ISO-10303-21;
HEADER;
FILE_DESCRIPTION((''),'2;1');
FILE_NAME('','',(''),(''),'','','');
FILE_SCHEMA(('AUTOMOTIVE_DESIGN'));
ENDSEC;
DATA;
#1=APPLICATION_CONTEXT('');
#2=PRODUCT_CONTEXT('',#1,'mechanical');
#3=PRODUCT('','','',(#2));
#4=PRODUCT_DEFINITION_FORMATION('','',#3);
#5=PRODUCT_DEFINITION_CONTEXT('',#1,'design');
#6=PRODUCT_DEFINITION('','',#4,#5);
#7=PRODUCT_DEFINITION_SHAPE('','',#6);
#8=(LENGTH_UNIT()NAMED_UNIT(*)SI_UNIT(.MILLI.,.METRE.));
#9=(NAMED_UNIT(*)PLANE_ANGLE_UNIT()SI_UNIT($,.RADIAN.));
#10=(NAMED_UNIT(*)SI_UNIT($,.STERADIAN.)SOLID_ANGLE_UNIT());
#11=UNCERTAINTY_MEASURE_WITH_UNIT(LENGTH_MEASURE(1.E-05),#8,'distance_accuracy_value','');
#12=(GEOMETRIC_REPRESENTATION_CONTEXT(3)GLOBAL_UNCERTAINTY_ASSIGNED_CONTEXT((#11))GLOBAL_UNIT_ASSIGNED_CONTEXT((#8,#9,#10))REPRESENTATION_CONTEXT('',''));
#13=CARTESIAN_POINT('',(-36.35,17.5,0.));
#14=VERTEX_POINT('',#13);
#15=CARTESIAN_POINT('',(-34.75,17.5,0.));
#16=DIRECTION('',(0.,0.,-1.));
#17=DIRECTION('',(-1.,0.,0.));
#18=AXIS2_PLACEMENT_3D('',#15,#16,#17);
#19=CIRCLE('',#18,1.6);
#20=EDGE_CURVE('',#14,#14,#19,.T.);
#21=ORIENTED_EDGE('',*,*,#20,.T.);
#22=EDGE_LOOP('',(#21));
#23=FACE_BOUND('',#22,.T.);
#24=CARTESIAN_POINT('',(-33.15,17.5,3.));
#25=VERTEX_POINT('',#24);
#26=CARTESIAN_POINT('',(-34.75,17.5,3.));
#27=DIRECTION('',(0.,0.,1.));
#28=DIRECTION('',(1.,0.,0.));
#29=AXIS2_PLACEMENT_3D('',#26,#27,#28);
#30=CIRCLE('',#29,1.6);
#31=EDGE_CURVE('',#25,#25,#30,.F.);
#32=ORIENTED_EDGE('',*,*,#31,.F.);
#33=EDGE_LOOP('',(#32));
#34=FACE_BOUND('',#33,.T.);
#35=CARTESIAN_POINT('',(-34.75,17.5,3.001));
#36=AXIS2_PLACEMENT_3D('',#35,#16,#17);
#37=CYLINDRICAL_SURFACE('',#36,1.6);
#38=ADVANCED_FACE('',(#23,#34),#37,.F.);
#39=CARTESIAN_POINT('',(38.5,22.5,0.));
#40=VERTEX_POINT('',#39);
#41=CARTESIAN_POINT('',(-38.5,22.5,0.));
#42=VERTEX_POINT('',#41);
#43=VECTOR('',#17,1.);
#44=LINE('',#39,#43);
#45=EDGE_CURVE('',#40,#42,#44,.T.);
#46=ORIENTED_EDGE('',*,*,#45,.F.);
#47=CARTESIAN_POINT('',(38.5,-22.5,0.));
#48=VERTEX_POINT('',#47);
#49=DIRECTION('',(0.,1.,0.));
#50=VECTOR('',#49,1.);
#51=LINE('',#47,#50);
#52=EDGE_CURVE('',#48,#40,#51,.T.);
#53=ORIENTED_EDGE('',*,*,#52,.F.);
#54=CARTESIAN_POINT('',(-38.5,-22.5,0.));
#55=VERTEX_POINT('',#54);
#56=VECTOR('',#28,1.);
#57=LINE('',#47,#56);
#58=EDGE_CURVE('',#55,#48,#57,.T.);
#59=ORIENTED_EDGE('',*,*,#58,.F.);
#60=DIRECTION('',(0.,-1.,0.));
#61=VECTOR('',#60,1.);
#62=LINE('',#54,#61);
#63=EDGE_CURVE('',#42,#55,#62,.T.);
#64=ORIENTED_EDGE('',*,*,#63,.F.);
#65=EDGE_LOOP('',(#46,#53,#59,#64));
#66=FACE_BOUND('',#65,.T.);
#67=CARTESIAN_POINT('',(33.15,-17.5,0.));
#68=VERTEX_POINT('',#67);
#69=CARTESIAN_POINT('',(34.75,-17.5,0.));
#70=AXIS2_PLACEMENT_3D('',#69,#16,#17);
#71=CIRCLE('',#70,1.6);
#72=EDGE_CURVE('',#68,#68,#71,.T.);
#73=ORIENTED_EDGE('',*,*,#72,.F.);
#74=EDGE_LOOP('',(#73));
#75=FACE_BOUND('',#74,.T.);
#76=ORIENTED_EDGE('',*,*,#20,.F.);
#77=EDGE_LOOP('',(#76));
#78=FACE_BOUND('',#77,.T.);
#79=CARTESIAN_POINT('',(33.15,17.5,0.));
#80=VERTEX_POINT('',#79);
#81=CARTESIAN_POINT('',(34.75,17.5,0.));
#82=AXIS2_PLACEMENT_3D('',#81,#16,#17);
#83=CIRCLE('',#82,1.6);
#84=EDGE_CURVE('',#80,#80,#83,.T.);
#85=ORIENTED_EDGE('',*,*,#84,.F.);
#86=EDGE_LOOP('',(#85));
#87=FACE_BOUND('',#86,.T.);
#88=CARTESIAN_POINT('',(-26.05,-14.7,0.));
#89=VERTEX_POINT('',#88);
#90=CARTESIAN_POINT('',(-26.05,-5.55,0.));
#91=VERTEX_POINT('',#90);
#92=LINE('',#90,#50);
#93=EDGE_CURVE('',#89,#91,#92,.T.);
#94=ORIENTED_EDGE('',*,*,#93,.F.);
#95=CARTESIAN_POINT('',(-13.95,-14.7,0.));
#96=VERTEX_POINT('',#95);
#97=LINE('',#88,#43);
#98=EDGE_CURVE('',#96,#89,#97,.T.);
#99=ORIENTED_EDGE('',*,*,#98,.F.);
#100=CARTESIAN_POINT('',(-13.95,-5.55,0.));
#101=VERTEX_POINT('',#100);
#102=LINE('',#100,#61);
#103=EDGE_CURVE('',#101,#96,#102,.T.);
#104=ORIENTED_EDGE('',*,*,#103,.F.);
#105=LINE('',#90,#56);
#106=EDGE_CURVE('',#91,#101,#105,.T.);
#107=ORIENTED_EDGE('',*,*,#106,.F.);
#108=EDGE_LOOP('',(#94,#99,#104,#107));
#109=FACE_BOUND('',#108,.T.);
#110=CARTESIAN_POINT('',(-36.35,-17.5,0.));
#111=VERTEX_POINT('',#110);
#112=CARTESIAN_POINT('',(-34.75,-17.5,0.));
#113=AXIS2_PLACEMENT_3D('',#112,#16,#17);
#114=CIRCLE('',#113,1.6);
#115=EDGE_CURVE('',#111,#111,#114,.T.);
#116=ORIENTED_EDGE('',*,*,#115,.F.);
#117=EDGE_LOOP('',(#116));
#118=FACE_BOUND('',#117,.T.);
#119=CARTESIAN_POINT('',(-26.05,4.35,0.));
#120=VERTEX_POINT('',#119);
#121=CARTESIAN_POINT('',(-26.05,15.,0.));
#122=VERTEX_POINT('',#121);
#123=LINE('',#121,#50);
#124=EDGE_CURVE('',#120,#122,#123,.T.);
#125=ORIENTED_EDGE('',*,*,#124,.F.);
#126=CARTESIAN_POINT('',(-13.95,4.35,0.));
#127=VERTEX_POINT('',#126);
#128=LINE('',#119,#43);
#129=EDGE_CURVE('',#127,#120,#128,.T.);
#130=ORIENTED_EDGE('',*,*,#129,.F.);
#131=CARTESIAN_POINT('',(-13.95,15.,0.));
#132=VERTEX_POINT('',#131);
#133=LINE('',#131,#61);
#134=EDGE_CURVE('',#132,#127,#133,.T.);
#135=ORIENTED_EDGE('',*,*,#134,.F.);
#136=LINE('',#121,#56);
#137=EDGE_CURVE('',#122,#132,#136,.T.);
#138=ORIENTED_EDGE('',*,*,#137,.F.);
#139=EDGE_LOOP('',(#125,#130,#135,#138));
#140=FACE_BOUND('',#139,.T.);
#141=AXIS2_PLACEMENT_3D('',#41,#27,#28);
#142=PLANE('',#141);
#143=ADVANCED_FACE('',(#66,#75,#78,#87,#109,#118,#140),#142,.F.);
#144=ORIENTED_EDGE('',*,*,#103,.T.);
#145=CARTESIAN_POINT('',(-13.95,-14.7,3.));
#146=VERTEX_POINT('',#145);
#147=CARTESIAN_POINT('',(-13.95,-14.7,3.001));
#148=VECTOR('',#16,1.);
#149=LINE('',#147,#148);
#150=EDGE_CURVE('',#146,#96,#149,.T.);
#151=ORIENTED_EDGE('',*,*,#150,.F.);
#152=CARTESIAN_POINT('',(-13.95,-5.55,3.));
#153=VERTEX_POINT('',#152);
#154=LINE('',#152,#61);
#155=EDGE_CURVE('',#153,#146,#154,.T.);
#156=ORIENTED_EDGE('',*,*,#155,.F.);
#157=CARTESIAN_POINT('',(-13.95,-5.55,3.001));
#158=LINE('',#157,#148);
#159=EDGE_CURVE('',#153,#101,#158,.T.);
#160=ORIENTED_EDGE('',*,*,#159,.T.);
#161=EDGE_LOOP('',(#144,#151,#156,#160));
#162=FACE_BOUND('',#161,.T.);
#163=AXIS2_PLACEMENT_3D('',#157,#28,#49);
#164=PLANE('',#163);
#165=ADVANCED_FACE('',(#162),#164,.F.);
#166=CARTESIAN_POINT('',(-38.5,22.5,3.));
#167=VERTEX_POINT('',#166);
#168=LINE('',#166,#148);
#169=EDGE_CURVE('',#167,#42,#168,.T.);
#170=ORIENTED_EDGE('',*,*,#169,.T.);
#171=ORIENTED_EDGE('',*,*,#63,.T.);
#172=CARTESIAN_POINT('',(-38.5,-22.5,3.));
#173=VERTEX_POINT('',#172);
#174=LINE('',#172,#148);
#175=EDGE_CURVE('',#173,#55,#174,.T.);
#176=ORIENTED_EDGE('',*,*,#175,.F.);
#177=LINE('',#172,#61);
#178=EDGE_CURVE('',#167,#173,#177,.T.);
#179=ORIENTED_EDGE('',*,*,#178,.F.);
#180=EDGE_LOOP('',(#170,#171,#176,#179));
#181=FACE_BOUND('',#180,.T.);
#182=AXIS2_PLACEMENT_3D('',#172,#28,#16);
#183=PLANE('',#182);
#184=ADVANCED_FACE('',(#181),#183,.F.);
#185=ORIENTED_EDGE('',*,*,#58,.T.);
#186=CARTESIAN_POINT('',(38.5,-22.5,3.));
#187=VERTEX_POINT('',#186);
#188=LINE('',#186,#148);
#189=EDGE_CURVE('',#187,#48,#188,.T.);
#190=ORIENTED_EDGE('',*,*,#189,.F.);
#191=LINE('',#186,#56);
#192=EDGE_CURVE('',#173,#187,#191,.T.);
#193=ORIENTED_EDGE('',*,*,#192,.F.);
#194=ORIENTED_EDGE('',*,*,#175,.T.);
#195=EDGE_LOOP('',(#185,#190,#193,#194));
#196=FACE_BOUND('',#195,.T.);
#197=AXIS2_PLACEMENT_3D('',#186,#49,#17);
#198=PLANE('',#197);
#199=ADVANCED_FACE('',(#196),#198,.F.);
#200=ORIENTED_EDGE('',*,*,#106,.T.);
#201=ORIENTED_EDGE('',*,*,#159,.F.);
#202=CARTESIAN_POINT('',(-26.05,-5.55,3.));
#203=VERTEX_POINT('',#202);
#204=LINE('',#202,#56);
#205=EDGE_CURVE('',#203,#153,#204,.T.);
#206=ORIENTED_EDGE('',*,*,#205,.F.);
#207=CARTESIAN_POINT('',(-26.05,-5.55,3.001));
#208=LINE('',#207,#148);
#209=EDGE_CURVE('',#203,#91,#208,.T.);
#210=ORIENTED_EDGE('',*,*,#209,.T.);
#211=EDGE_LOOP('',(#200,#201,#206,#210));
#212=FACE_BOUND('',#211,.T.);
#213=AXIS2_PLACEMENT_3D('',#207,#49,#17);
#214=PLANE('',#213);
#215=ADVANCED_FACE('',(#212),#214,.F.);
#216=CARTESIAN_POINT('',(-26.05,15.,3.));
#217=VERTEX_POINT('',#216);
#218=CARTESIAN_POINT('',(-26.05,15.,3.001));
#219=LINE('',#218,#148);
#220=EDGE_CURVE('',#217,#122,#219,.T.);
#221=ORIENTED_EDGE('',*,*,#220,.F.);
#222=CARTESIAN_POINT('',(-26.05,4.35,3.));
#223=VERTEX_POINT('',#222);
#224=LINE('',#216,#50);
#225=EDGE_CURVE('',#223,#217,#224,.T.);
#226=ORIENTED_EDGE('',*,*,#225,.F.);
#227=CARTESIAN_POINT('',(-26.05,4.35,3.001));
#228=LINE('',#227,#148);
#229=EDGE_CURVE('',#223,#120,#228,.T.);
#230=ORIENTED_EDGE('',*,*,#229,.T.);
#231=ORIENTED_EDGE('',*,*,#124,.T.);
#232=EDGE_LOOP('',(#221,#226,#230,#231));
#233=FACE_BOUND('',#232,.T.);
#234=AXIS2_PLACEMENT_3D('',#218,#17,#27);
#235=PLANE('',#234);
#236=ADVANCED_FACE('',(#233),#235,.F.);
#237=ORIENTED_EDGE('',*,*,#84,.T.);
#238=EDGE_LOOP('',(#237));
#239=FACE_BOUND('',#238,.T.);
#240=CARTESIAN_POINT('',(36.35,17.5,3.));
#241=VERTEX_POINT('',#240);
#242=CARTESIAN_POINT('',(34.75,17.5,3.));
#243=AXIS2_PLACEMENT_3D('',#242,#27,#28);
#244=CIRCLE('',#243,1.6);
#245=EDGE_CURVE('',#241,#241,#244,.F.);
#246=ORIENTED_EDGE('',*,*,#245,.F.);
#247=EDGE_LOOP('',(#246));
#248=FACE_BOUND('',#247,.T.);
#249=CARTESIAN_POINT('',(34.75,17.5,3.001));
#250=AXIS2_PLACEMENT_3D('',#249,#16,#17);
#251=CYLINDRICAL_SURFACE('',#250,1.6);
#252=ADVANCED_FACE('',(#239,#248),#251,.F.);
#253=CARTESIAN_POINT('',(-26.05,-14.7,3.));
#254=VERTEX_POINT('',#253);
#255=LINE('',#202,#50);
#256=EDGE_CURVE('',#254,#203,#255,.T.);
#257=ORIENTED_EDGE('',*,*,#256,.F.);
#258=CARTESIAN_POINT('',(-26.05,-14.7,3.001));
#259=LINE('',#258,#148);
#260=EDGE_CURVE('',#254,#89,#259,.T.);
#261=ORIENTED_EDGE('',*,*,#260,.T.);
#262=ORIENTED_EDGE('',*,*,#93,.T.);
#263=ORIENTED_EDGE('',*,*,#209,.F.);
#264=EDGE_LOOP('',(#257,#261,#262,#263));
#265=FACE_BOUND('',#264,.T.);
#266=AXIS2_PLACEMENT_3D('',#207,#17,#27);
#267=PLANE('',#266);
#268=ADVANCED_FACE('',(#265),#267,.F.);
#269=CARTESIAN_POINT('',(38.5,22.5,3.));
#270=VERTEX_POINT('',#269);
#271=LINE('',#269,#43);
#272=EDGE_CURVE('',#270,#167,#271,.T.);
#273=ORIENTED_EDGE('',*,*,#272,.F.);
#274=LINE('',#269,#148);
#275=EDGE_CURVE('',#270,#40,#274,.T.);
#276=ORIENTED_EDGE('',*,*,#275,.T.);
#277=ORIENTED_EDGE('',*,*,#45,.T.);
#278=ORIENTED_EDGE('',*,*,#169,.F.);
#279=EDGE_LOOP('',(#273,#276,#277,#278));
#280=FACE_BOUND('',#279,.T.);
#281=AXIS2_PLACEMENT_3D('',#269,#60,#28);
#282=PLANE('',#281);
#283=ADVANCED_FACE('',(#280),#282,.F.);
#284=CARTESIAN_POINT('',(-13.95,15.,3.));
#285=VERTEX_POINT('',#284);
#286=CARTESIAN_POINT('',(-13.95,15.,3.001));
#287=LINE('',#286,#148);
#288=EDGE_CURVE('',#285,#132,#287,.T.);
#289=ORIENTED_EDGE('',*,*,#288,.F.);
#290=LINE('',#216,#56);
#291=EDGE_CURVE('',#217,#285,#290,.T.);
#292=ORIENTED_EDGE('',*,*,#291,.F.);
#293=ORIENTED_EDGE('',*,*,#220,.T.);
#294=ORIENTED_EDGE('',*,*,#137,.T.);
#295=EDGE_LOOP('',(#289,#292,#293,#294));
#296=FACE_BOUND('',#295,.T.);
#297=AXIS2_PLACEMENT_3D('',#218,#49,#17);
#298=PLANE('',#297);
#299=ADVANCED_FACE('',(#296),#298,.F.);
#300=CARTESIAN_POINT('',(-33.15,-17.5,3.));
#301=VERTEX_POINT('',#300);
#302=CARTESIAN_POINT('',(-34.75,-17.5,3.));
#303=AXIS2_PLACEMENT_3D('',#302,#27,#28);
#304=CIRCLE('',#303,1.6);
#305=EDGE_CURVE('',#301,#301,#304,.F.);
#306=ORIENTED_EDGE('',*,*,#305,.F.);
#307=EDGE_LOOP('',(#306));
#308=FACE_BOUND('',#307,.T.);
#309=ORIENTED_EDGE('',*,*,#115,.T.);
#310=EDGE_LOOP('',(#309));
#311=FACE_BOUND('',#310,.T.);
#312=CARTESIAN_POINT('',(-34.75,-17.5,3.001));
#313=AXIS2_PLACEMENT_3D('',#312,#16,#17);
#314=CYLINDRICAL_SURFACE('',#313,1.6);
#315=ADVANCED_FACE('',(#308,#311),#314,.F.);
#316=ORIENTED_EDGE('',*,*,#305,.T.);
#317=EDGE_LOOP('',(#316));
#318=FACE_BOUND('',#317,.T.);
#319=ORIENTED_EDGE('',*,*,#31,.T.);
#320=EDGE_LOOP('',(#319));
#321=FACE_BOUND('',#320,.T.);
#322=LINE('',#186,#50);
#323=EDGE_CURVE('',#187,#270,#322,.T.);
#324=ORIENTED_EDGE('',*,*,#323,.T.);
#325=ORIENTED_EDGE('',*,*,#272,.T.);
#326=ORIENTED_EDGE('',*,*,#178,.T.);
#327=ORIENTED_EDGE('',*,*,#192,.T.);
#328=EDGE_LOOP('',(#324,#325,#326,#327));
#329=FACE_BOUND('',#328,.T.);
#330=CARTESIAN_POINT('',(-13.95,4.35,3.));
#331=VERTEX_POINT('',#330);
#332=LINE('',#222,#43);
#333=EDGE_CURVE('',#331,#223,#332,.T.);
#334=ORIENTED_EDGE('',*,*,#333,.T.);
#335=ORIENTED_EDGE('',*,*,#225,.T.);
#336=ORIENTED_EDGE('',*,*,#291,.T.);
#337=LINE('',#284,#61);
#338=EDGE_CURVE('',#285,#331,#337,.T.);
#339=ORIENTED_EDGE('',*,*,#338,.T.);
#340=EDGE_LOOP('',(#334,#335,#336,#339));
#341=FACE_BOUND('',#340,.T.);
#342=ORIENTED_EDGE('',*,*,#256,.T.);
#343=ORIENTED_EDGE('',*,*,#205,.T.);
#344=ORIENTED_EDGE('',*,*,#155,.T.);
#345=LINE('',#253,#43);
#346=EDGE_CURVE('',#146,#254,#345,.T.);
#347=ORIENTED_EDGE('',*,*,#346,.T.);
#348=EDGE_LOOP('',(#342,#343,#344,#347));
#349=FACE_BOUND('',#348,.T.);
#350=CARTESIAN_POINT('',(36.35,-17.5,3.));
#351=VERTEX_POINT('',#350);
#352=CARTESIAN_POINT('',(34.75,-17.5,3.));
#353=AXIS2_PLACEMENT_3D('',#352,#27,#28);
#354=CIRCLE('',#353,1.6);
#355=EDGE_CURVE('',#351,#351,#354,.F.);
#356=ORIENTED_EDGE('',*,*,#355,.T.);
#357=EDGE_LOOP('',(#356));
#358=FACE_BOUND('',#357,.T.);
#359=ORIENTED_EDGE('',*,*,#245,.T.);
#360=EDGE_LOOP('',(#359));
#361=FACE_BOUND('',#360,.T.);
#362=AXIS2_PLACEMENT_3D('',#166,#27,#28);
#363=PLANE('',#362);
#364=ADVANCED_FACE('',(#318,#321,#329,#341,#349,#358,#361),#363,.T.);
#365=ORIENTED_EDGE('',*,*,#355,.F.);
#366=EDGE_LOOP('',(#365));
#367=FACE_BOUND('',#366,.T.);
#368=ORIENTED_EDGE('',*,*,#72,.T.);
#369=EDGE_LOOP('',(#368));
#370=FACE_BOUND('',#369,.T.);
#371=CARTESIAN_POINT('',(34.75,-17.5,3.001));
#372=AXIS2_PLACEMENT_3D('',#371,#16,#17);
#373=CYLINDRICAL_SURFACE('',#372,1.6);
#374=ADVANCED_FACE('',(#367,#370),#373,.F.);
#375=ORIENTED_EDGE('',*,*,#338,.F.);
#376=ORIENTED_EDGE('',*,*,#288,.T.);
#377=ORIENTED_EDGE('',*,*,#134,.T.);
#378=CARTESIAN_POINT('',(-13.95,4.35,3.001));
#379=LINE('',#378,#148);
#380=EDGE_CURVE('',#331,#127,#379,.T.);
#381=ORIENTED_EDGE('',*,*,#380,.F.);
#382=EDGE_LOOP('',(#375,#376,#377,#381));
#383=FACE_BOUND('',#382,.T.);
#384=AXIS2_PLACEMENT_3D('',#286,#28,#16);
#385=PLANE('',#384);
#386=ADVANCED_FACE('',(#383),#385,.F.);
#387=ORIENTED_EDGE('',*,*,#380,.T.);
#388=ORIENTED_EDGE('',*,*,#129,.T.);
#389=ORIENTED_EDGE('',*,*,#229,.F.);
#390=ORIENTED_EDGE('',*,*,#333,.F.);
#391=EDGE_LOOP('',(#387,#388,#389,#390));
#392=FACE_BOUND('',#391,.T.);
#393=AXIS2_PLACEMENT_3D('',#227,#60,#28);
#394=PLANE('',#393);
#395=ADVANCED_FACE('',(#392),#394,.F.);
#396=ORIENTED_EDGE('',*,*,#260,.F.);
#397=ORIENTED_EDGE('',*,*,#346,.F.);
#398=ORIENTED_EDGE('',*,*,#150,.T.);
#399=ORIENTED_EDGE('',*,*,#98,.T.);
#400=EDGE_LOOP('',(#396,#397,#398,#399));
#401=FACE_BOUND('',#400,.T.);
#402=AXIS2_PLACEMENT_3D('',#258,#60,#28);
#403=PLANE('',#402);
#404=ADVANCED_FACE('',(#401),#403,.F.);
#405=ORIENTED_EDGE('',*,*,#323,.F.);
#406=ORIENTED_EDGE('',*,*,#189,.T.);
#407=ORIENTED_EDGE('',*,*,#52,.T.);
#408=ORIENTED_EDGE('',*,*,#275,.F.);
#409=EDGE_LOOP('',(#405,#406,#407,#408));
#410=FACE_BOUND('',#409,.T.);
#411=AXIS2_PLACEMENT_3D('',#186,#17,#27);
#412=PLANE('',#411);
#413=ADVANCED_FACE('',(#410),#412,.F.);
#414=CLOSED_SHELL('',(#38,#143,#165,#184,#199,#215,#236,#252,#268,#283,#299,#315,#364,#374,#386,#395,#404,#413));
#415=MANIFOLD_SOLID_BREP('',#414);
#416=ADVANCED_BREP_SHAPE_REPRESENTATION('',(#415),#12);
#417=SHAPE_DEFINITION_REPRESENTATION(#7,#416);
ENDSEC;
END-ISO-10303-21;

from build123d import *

# Parameters (mm, degrees)
CROQUIS1_W              = 77
CROQUIS1_H              = 45
SALIENTE_EXTRUIR1_DEPTH = 3
CORTAR_EXTRUIR1_REACH   = 5
CROQUIS2_R              = 1.6
CROQUIS2_W              = 12.1
CROQUIS2_H              = 10.65
CROQUIS2_H_2            = 9.15


with BuildPart() as part:
    # Croquis1 → Saliente-Extruir1 (new body)
    with BuildSketch(Plane.XY):
        Rectangle(CROQUIS1_W, CROQUIS1_H)
    extrude(amount=SALIENTE_EXTRUIR1_DEPTH)

    # Croquis2 → Cortar-Extruir1 (cut, up to next)
    with BuildSketch(Plane(origin=(0, 0, 0), x_dir=(-1, 0, 0), z_dir=(0, 0, -1)), mode=Mode.PRIVATE) as cortar_extruir1_sk1:
        with Locations((34.75, 17.5)):
            Circle(CROQUIS2_R)
    cortar_extruir1_tool1 = extrude(cortar_extruir1_sk1.sketch, amount=-CORTAR_EXTRUIR1_REACH, mode=Mode.PRIVATE) & part.part
    add(cortar_extruir1_tool1.solids().sort_by_distance((-34.75, 17.5, 0))[0], mode=Mode.SUBTRACT)
    # Croquis2 → Cortar-Extruir1 (cut, up to next)
    with BuildSketch(Plane(origin=(0, 0, 0), x_dir=(-1, 0, 0), z_dir=(0, 0, -1)), mode=Mode.PRIVATE) as cortar_extruir1_sk2:
        with Locations((-34.75, 17.5)):
            Circle(CROQUIS2_R)
    cortar_extruir1_tool2 = extrude(cortar_extruir1_sk2.sketch, amount=-CORTAR_EXTRUIR1_REACH, mode=Mode.PRIVATE) & part.part
    add(cortar_extruir1_tool2.solids().sort_by_distance((34.75, 17.5, 0))[0], mode=Mode.SUBTRACT)
    # Croquis2 → Cortar-Extruir1 (cut, up to next)
    with BuildSketch(Plane(origin=(0, 0, 0), x_dir=(-1, 0, 0), z_dir=(0, 0, -1)), mode=Mode.PRIVATE) as cortar_extruir1_sk3:
        with Locations((-34.75, -17.5)):
            Circle(CROQUIS2_R)
    cortar_extruir1_tool3 = extrude(cortar_extruir1_sk3.sketch, amount=-CORTAR_EXTRUIR1_REACH, mode=Mode.PRIVATE) & part.part
    add(cortar_extruir1_tool3.solids().sort_by_distance((34.75, -17.5, 0))[0], mode=Mode.SUBTRACT)
    # Croquis2 → Cortar-Extruir1 (cut, up to next)
    with BuildSketch(Plane(origin=(0, 0, 0), x_dir=(-1, 0, 0), z_dir=(0, 0, -1)), mode=Mode.PRIVATE) as cortar_extruir1_sk4:
        with Locations((34.75, -17.5)):
            Circle(CROQUIS2_R)
    cortar_extruir1_tool4 = extrude(cortar_extruir1_sk4.sketch, amount=-CORTAR_EXTRUIR1_REACH, mode=Mode.PRIVATE) & part.part
    add(cortar_extruir1_tool4.solids().sort_by_distance((-34.75, -17.5, 0))[0], mode=Mode.SUBTRACT)
    # Croquis2 → Cortar-Extruir1 (cut, up to next)
    with BuildSketch(Plane(origin=(0, 0, 0), x_dir=(-1, 0, 0), z_dir=(0, 0, -1)), mode=Mode.PRIVATE) as cortar_extruir1_sk5:
        with Locations((20, 9.675)):
            Rectangle(CROQUIS2_W, CROQUIS2_H)
    cortar_extruir1_tool5 = extrude(cortar_extruir1_sk5.sketch, amount=-CORTAR_EXTRUIR1_REACH, mode=Mode.PRIVATE) & part.part
    add(cortar_extruir1_tool5.solids().sort_by_distance((-20, 9.675, 0))[0], mode=Mode.SUBTRACT)
    # Croquis2 → Cortar-Extruir1 (cut, up to next)
    with BuildSketch(Plane(origin=(0, 0, 0), x_dir=(-1, 0, 0), z_dir=(0, 0, -1)), mode=Mode.PRIVATE) as cortar_extruir1_sk6:
        with Locations((20, -10.125)):
            Rectangle(CROQUIS2_W, CROQUIS2_H_2)
    cortar_extruir1_tool6 = extrude(cortar_extruir1_sk6.sketch, amount=-CORTAR_EXTRUIR1_REACH, mode=Mode.PRIVATE) & part.part
    add(cortar_extruir1_tool6.solids().sort_by_distance((-20, -10.125, 0))[0], mode=Mode.SUBTRACT)


solid = part.part
